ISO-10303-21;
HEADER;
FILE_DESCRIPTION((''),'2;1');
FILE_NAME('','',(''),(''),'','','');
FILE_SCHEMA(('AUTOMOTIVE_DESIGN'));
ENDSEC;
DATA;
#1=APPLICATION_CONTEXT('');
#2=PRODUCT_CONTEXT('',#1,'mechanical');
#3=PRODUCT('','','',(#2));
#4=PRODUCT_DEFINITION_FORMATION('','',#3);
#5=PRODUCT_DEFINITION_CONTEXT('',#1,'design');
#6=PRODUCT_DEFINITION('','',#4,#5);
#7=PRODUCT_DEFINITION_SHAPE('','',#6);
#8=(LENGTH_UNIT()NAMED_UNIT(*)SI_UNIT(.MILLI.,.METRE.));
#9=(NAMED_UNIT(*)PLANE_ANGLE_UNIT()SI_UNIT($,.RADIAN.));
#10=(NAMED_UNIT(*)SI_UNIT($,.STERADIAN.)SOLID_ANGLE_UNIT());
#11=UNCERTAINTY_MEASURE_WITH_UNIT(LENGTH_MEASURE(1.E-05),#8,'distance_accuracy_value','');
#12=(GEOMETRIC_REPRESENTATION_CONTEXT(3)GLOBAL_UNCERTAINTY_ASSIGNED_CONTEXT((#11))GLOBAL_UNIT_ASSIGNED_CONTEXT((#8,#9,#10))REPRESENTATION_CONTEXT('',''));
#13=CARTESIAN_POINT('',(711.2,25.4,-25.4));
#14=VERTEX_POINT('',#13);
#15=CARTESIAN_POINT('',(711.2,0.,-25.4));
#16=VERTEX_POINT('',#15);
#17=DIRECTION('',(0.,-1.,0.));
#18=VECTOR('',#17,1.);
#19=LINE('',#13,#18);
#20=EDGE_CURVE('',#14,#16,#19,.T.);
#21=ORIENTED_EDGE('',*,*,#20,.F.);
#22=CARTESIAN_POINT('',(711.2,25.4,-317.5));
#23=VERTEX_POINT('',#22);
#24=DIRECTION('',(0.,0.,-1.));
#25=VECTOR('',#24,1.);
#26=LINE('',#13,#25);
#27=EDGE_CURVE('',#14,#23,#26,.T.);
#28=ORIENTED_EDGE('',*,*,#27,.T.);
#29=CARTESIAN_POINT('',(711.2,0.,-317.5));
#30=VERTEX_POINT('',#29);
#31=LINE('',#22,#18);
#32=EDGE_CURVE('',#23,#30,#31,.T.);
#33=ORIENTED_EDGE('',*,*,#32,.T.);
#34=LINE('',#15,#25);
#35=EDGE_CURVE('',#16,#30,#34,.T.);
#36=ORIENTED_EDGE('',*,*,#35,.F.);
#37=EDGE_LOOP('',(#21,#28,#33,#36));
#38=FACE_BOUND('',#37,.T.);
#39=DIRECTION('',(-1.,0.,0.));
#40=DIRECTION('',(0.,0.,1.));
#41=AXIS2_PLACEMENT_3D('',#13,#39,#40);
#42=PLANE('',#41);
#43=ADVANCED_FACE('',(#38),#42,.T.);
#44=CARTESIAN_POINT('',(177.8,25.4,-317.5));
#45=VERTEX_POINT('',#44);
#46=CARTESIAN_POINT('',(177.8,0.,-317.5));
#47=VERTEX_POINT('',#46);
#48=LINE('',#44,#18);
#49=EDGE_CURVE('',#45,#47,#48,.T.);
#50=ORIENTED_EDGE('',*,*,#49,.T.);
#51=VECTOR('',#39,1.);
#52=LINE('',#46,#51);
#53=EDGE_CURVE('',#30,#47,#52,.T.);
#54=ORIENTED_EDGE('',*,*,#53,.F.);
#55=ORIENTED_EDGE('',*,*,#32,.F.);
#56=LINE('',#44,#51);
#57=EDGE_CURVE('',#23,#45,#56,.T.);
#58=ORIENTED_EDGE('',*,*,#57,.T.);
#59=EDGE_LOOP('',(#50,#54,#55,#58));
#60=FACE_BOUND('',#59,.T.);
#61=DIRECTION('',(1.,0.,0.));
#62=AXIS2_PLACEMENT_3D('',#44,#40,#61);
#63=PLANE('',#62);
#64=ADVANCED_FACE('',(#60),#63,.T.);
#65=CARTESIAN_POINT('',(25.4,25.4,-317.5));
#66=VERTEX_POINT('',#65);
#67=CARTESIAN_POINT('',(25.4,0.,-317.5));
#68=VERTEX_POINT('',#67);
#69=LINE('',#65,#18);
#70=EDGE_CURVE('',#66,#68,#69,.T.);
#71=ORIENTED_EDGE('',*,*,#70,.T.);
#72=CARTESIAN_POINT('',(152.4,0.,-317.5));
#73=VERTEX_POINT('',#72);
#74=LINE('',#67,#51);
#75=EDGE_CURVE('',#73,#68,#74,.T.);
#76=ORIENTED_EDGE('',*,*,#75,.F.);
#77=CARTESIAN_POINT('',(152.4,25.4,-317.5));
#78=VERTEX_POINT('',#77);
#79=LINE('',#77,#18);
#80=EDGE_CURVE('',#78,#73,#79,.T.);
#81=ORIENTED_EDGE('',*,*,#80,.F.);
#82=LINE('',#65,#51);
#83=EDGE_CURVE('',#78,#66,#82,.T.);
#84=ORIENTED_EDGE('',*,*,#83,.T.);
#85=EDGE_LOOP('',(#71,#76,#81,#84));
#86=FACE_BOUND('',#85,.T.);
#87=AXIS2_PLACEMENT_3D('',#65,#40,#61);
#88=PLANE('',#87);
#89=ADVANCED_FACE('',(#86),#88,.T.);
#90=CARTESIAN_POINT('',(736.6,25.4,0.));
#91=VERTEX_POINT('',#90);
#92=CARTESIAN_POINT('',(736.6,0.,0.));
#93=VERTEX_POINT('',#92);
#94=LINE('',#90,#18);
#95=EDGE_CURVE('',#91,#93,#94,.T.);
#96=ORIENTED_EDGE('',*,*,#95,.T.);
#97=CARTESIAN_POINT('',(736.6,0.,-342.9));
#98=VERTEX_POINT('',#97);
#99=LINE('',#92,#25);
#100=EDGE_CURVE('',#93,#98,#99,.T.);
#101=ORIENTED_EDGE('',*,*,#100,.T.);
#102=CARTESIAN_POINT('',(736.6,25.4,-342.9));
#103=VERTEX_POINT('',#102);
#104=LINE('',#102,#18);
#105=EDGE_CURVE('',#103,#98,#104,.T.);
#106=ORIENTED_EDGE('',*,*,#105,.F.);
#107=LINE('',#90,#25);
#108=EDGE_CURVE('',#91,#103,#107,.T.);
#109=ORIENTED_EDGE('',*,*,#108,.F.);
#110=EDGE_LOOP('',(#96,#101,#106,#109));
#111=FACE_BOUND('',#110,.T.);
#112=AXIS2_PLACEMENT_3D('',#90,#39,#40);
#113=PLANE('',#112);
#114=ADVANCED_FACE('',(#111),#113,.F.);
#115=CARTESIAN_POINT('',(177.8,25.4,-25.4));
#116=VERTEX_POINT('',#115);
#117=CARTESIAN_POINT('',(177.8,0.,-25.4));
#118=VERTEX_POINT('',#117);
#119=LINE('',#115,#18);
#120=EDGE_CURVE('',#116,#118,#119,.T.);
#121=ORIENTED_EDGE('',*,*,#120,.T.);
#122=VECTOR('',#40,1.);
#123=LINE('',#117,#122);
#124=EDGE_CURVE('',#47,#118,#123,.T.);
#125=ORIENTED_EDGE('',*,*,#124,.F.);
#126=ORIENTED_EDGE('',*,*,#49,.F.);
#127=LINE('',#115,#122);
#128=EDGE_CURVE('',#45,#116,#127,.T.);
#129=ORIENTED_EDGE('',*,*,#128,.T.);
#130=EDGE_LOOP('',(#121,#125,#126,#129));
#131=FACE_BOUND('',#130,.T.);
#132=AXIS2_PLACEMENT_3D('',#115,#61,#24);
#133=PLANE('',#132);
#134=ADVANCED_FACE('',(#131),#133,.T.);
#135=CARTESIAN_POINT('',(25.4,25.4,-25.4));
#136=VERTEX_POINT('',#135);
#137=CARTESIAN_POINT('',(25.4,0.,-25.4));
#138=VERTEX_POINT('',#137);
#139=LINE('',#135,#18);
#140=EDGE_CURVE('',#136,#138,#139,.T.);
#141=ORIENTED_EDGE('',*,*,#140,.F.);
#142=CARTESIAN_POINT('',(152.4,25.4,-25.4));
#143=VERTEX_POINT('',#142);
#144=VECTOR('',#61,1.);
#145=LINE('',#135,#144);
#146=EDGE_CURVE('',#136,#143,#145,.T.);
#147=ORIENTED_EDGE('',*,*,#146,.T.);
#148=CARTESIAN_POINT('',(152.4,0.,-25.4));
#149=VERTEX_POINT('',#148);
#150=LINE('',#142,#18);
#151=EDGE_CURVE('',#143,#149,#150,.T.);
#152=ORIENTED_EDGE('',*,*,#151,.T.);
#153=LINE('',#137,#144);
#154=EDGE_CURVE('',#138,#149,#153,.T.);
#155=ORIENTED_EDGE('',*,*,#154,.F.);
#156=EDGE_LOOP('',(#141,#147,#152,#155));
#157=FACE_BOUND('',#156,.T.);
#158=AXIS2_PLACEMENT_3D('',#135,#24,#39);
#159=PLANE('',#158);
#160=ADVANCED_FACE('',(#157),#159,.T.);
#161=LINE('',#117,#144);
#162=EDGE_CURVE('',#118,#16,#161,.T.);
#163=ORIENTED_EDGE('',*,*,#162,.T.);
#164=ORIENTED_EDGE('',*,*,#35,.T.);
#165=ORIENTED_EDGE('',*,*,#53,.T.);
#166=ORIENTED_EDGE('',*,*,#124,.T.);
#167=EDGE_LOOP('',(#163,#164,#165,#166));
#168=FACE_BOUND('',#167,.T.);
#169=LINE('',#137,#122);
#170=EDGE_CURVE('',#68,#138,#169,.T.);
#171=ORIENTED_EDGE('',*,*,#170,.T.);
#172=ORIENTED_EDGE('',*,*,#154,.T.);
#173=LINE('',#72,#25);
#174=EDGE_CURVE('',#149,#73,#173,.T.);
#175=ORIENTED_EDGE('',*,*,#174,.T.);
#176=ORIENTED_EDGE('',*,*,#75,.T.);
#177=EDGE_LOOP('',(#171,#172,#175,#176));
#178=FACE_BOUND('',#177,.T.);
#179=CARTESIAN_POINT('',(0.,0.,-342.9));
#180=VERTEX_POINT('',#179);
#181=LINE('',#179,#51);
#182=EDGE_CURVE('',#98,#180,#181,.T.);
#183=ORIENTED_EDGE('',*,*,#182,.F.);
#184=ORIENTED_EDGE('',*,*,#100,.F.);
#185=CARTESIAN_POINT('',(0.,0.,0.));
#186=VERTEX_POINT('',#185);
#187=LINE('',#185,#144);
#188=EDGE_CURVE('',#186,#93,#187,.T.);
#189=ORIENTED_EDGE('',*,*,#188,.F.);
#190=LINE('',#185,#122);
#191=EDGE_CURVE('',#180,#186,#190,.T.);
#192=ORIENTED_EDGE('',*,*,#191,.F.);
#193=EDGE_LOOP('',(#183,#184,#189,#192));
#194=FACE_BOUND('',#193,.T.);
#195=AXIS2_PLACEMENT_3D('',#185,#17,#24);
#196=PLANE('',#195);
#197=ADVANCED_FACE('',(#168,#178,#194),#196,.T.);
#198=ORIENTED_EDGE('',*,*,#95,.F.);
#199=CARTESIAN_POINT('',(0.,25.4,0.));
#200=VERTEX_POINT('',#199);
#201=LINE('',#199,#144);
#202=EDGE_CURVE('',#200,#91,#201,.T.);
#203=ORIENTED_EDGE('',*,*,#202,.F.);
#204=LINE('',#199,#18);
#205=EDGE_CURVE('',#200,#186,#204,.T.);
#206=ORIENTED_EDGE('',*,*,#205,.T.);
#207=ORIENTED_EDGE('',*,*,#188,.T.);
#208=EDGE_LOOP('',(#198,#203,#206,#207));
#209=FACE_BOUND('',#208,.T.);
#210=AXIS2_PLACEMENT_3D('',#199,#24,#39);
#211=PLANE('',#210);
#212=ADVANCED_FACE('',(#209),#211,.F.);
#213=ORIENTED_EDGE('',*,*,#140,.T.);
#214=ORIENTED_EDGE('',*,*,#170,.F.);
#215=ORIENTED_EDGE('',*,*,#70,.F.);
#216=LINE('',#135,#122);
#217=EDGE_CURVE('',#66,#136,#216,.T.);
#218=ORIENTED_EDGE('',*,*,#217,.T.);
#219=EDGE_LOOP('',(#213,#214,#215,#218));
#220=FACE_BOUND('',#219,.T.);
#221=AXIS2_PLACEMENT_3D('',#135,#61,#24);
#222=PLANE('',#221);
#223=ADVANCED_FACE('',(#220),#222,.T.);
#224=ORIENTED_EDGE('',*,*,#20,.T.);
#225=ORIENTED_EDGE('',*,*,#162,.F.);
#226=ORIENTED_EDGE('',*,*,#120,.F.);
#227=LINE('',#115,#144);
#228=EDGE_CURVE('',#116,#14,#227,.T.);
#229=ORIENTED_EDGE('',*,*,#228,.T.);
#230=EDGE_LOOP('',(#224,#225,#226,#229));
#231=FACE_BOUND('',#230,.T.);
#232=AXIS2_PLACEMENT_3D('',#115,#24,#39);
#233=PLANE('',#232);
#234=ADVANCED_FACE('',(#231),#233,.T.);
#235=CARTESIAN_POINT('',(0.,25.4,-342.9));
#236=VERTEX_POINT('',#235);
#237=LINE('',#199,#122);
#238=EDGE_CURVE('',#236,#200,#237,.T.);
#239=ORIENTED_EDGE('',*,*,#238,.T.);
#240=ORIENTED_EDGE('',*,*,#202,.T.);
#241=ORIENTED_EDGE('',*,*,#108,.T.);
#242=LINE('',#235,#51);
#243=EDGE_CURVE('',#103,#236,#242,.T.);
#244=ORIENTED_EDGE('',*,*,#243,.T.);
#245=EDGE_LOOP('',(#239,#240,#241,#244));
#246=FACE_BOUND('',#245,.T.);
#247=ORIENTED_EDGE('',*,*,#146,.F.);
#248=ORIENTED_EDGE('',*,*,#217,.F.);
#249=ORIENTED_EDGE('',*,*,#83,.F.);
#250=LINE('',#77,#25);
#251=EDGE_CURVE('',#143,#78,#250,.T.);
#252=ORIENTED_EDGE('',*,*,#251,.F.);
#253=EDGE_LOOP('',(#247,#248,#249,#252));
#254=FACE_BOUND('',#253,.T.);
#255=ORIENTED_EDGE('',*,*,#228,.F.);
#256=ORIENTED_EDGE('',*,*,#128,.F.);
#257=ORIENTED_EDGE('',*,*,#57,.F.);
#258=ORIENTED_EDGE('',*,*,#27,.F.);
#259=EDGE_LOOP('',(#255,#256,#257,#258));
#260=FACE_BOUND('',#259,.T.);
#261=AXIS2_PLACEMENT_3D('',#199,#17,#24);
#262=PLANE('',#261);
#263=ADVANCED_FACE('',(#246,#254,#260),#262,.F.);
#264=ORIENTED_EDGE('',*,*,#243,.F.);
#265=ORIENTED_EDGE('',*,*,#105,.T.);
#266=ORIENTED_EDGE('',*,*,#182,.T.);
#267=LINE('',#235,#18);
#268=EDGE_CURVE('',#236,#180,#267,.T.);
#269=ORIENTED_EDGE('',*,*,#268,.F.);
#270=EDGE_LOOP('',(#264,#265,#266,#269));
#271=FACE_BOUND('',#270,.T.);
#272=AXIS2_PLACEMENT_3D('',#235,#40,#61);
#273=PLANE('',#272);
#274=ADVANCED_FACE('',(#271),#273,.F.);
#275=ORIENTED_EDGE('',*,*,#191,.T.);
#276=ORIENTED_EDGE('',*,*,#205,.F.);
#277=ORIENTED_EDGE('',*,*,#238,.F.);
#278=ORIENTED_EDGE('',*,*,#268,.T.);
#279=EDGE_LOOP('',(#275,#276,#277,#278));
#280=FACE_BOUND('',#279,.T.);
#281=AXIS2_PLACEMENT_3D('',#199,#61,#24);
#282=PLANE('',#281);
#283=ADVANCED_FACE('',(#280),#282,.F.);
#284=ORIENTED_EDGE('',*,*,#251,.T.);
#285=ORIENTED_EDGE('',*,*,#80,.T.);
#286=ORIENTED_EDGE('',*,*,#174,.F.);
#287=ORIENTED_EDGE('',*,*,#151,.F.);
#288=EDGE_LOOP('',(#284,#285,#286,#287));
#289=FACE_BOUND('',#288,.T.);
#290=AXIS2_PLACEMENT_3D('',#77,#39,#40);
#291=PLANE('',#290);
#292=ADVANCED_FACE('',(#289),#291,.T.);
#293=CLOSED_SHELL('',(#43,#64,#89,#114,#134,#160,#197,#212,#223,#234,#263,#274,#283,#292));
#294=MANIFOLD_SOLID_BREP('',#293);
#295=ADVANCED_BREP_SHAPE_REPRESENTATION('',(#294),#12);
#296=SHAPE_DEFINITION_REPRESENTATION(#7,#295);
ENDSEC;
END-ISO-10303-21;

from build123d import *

# Parameters (mm, degrees)
SKETCH1_W           = 736.6
SKETCH1_H           = 342.9
SKETCH1_W_2         = 127
SKETCH1_H_2         = 292.1
SKETCH1_W_3         = 533.4
BOSS_EXTRUDE1_DEPTH = 25.4


with BuildPart() as part:
    # Sketch1 → Boss-Extrude1 (new body)
    with BuildSketch(Plane(origin=(0, 0, 0), x_dir=(1, 0, 0), z_dir=(0, 1, 0))):
        with Locations((368.3, 171.45)):
            Rectangle(SKETCH1_W, SKETCH1_H)
        with Locations((88.9, 171.45)):
            Rectangle(SKETCH1_W_2, SKETCH1_H_2, mode=Mode.SUBTRACT)
        with Locations((444.5, 171.45)):
            Rectangle(SKETCH1_W_3, SKETCH1_H_2, mode=Mode.SUBTRACT)
    extrude(amount=BOSS_EXTRUDE1_DEPTH)


solid = part.part
